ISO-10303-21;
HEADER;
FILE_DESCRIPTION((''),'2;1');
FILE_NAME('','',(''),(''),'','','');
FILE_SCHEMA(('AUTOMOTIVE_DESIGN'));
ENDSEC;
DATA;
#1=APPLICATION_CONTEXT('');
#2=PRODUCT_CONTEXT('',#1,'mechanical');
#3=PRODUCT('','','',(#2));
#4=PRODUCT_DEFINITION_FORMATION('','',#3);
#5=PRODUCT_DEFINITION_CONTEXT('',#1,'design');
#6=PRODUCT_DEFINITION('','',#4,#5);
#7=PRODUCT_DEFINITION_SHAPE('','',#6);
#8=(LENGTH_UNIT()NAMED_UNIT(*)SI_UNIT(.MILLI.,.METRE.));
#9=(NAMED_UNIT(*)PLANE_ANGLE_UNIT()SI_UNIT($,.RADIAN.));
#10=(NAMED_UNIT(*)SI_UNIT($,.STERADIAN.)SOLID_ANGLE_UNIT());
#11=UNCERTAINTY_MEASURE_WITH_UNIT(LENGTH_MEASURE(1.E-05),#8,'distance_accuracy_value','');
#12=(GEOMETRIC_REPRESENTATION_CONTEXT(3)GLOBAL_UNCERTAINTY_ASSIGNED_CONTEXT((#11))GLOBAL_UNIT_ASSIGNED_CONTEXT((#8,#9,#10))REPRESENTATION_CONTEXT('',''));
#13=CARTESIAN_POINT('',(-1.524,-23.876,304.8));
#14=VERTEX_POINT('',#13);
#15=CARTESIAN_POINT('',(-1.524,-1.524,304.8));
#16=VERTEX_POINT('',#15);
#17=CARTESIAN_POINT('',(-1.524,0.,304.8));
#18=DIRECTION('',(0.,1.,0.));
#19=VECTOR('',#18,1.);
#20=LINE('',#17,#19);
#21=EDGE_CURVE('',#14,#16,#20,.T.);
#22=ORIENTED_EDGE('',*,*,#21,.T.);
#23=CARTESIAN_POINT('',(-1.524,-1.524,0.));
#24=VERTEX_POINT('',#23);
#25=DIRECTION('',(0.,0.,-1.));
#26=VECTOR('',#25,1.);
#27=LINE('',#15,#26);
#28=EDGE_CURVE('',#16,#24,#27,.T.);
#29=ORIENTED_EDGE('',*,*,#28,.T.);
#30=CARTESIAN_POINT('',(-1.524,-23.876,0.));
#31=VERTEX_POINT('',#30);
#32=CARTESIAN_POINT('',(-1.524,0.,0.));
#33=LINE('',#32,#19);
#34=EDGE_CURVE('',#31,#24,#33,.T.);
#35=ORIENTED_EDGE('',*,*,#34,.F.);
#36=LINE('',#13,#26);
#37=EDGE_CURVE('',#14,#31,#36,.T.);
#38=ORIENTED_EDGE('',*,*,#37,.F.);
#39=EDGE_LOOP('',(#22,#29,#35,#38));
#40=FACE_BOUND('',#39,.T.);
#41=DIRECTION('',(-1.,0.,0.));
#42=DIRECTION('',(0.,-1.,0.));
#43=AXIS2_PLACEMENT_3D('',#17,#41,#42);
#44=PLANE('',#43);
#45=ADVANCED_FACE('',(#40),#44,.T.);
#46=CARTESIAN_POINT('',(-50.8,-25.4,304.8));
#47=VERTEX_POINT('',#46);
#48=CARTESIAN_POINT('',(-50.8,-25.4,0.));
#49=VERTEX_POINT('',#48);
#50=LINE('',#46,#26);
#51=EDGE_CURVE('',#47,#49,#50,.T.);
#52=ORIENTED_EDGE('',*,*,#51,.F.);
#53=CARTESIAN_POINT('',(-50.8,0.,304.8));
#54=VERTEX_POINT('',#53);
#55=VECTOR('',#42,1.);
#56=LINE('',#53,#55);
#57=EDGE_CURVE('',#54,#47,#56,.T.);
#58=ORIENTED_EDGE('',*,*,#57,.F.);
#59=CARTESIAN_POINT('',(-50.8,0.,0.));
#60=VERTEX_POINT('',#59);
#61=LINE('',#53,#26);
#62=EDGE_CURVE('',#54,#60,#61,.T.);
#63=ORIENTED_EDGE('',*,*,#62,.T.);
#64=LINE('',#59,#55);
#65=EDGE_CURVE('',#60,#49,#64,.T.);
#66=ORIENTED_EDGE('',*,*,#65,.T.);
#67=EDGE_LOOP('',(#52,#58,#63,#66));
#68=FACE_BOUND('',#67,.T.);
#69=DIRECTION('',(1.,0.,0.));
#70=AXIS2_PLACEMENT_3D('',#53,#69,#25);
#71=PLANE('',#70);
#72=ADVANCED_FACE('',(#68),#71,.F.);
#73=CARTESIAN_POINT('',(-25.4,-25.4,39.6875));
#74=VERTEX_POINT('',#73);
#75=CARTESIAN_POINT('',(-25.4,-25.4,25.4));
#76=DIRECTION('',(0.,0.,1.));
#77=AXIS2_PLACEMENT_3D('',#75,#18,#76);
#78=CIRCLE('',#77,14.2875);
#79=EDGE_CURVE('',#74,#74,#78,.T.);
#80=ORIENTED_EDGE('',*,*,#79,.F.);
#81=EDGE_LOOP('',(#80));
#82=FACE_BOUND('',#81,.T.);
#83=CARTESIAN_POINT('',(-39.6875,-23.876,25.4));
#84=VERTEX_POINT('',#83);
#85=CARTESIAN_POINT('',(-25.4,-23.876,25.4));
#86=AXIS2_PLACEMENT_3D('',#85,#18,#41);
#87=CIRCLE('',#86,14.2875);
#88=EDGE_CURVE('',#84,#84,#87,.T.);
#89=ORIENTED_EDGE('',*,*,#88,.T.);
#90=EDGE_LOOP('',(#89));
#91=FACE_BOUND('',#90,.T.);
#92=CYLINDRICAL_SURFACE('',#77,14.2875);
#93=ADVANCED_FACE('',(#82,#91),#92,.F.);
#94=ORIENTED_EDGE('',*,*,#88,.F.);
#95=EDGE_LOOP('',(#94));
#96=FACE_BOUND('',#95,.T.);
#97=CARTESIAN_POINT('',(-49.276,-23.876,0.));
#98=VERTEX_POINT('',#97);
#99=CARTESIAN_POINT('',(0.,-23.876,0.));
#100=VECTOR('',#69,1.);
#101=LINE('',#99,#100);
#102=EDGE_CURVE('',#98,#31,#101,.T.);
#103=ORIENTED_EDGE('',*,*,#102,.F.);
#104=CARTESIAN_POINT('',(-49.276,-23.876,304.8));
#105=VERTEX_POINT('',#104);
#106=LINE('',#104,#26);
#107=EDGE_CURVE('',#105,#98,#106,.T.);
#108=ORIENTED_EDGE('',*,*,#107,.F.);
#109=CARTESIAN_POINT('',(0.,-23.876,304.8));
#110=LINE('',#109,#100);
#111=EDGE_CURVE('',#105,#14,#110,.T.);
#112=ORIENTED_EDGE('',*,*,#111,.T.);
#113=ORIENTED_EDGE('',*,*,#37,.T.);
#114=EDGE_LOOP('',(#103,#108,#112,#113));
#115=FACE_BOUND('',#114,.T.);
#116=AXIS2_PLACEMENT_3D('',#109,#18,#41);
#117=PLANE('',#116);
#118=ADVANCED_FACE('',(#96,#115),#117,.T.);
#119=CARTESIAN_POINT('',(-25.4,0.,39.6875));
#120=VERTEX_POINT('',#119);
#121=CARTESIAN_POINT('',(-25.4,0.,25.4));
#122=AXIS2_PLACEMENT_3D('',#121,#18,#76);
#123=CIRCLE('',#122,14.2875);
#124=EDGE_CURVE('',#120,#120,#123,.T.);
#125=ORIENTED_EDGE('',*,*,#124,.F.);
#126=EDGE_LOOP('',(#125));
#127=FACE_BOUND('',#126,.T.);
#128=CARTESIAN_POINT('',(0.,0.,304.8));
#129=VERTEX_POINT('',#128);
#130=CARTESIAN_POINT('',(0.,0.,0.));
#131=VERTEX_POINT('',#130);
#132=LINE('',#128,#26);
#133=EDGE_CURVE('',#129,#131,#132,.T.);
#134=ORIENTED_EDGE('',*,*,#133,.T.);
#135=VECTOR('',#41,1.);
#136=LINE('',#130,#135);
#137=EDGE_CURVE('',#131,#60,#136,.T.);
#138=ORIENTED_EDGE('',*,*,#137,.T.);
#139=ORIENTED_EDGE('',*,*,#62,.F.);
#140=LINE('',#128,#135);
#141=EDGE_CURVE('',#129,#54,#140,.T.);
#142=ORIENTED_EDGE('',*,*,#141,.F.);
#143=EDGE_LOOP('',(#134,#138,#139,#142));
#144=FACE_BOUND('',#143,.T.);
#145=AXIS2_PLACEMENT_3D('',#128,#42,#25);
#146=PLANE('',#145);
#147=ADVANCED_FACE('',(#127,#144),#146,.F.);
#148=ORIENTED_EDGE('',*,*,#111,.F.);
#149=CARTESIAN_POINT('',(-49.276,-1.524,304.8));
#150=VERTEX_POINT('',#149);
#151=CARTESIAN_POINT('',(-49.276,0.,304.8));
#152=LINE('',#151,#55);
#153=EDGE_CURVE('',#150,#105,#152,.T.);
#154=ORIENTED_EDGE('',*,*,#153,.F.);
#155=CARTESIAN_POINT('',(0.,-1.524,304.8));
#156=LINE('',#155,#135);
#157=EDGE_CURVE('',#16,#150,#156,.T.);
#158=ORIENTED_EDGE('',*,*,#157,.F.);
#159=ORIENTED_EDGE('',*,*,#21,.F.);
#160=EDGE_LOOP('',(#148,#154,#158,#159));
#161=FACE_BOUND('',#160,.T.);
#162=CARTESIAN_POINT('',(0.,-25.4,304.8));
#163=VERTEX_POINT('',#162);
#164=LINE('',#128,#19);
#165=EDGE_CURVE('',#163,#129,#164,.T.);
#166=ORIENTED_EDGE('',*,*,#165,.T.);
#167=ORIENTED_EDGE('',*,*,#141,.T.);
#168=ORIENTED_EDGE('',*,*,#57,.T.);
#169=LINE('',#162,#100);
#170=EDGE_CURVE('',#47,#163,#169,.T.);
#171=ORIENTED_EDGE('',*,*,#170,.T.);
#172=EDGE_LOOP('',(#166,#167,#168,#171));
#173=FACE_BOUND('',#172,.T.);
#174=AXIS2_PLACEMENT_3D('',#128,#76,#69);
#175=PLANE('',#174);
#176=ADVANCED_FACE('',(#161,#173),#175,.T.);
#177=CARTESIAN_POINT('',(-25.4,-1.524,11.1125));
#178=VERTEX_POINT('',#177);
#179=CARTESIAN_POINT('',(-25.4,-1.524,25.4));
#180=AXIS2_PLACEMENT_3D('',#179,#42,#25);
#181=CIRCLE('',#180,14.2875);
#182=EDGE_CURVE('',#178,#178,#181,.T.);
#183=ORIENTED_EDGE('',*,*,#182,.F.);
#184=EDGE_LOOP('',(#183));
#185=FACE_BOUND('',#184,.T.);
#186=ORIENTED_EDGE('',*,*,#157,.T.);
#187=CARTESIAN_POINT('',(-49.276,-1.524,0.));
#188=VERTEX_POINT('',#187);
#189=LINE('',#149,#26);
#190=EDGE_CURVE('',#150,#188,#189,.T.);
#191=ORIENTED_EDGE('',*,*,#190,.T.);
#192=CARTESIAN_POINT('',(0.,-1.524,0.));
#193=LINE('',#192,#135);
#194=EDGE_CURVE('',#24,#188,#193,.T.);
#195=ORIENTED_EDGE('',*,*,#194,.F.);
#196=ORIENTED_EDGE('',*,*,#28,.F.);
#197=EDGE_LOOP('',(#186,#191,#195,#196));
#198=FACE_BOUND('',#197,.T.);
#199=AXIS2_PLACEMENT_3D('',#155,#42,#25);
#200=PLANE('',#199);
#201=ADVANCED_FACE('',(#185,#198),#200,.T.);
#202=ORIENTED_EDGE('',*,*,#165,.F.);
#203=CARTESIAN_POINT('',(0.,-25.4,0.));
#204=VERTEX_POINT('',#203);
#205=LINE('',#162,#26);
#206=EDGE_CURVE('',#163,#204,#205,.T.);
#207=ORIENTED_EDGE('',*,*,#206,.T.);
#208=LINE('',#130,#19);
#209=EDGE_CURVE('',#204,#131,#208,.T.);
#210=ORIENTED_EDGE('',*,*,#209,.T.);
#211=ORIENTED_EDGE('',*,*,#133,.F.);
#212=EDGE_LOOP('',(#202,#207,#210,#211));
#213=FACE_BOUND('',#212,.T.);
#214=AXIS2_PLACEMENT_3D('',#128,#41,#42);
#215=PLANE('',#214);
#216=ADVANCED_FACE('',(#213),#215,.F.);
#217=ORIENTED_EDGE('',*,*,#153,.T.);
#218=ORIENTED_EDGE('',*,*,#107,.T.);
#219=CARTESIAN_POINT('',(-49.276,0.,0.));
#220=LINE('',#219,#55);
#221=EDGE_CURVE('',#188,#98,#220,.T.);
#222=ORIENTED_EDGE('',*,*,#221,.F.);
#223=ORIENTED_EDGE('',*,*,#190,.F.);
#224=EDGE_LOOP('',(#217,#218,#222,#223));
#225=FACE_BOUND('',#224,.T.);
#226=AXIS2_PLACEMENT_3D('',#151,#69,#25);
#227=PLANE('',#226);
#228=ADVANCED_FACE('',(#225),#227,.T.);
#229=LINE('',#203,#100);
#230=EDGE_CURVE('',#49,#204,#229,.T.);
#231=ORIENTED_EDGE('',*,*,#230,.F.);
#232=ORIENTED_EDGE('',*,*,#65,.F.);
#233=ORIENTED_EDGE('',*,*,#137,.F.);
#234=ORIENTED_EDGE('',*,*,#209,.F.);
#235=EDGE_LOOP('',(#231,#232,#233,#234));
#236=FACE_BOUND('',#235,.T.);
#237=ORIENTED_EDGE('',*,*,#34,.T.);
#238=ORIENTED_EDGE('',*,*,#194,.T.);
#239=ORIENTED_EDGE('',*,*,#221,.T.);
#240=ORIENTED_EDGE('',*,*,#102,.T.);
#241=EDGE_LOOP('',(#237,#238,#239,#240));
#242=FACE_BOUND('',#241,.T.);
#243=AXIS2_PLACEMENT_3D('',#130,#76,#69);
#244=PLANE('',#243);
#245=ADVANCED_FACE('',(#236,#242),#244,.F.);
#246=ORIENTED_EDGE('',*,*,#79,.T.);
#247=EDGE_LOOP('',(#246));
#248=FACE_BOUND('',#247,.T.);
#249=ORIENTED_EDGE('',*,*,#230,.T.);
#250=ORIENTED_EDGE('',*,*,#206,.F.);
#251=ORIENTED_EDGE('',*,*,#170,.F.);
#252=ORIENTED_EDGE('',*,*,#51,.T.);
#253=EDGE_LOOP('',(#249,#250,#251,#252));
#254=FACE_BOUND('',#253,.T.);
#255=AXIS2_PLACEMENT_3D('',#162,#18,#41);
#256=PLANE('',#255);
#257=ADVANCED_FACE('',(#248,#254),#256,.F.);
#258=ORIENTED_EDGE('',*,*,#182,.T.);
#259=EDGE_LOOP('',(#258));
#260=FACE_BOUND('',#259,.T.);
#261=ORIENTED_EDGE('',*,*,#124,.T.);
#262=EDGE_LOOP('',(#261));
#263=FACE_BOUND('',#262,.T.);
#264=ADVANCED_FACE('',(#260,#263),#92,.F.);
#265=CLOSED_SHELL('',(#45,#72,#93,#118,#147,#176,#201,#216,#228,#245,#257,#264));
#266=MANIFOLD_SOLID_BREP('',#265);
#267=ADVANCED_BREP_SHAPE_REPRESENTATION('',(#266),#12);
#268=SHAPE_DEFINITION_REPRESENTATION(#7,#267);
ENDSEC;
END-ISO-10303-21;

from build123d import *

# Parameters (mm, degrees)
SKETCH1_W           = 50.8
SKETCH1_H           = 25.4
SKETCH1_W_2         = 47.752
SKETCH1_H_2         = 22.352
EXTRUDE_THIN1_DEPTH = 304.8
SKETCH2_R           = 14.2875
CUT_EXTRUDE2_DEPTH  = 25.4


with BuildPart() as part:
    # Sketch1 → Extrude-Thin1 (new body)
    with BuildSketch(Plane.XY):
        with Locations((-25.4, -12.7)):
            Rectangle(SKETCH1_W, SKETCH1_H)
        with Locations((-25.4, -12.7)):
            Rectangle(SKETCH1_W_2, SKETCH1_H_2, mode=Mode.SUBTRACT)
    extrude(amount=EXTRUDE_THIN1_DEPTH)

    # Sketch2 → Cut-Extrude2 (cut)
    with BuildSketch(Plane(origin=(0, 0, 0), x_dir=(1, 0, 0), z_dir=(0, 1, 0))):
        with Locations(Location((-25.4, -25.4, 0), (0, 0, 270))):
            Circle(SKETCH2_R)
    extrude(amount=-CUT_EXTRUDE2_DEPTH, mode=Mode.SUBTRACT)


solid = part.part
